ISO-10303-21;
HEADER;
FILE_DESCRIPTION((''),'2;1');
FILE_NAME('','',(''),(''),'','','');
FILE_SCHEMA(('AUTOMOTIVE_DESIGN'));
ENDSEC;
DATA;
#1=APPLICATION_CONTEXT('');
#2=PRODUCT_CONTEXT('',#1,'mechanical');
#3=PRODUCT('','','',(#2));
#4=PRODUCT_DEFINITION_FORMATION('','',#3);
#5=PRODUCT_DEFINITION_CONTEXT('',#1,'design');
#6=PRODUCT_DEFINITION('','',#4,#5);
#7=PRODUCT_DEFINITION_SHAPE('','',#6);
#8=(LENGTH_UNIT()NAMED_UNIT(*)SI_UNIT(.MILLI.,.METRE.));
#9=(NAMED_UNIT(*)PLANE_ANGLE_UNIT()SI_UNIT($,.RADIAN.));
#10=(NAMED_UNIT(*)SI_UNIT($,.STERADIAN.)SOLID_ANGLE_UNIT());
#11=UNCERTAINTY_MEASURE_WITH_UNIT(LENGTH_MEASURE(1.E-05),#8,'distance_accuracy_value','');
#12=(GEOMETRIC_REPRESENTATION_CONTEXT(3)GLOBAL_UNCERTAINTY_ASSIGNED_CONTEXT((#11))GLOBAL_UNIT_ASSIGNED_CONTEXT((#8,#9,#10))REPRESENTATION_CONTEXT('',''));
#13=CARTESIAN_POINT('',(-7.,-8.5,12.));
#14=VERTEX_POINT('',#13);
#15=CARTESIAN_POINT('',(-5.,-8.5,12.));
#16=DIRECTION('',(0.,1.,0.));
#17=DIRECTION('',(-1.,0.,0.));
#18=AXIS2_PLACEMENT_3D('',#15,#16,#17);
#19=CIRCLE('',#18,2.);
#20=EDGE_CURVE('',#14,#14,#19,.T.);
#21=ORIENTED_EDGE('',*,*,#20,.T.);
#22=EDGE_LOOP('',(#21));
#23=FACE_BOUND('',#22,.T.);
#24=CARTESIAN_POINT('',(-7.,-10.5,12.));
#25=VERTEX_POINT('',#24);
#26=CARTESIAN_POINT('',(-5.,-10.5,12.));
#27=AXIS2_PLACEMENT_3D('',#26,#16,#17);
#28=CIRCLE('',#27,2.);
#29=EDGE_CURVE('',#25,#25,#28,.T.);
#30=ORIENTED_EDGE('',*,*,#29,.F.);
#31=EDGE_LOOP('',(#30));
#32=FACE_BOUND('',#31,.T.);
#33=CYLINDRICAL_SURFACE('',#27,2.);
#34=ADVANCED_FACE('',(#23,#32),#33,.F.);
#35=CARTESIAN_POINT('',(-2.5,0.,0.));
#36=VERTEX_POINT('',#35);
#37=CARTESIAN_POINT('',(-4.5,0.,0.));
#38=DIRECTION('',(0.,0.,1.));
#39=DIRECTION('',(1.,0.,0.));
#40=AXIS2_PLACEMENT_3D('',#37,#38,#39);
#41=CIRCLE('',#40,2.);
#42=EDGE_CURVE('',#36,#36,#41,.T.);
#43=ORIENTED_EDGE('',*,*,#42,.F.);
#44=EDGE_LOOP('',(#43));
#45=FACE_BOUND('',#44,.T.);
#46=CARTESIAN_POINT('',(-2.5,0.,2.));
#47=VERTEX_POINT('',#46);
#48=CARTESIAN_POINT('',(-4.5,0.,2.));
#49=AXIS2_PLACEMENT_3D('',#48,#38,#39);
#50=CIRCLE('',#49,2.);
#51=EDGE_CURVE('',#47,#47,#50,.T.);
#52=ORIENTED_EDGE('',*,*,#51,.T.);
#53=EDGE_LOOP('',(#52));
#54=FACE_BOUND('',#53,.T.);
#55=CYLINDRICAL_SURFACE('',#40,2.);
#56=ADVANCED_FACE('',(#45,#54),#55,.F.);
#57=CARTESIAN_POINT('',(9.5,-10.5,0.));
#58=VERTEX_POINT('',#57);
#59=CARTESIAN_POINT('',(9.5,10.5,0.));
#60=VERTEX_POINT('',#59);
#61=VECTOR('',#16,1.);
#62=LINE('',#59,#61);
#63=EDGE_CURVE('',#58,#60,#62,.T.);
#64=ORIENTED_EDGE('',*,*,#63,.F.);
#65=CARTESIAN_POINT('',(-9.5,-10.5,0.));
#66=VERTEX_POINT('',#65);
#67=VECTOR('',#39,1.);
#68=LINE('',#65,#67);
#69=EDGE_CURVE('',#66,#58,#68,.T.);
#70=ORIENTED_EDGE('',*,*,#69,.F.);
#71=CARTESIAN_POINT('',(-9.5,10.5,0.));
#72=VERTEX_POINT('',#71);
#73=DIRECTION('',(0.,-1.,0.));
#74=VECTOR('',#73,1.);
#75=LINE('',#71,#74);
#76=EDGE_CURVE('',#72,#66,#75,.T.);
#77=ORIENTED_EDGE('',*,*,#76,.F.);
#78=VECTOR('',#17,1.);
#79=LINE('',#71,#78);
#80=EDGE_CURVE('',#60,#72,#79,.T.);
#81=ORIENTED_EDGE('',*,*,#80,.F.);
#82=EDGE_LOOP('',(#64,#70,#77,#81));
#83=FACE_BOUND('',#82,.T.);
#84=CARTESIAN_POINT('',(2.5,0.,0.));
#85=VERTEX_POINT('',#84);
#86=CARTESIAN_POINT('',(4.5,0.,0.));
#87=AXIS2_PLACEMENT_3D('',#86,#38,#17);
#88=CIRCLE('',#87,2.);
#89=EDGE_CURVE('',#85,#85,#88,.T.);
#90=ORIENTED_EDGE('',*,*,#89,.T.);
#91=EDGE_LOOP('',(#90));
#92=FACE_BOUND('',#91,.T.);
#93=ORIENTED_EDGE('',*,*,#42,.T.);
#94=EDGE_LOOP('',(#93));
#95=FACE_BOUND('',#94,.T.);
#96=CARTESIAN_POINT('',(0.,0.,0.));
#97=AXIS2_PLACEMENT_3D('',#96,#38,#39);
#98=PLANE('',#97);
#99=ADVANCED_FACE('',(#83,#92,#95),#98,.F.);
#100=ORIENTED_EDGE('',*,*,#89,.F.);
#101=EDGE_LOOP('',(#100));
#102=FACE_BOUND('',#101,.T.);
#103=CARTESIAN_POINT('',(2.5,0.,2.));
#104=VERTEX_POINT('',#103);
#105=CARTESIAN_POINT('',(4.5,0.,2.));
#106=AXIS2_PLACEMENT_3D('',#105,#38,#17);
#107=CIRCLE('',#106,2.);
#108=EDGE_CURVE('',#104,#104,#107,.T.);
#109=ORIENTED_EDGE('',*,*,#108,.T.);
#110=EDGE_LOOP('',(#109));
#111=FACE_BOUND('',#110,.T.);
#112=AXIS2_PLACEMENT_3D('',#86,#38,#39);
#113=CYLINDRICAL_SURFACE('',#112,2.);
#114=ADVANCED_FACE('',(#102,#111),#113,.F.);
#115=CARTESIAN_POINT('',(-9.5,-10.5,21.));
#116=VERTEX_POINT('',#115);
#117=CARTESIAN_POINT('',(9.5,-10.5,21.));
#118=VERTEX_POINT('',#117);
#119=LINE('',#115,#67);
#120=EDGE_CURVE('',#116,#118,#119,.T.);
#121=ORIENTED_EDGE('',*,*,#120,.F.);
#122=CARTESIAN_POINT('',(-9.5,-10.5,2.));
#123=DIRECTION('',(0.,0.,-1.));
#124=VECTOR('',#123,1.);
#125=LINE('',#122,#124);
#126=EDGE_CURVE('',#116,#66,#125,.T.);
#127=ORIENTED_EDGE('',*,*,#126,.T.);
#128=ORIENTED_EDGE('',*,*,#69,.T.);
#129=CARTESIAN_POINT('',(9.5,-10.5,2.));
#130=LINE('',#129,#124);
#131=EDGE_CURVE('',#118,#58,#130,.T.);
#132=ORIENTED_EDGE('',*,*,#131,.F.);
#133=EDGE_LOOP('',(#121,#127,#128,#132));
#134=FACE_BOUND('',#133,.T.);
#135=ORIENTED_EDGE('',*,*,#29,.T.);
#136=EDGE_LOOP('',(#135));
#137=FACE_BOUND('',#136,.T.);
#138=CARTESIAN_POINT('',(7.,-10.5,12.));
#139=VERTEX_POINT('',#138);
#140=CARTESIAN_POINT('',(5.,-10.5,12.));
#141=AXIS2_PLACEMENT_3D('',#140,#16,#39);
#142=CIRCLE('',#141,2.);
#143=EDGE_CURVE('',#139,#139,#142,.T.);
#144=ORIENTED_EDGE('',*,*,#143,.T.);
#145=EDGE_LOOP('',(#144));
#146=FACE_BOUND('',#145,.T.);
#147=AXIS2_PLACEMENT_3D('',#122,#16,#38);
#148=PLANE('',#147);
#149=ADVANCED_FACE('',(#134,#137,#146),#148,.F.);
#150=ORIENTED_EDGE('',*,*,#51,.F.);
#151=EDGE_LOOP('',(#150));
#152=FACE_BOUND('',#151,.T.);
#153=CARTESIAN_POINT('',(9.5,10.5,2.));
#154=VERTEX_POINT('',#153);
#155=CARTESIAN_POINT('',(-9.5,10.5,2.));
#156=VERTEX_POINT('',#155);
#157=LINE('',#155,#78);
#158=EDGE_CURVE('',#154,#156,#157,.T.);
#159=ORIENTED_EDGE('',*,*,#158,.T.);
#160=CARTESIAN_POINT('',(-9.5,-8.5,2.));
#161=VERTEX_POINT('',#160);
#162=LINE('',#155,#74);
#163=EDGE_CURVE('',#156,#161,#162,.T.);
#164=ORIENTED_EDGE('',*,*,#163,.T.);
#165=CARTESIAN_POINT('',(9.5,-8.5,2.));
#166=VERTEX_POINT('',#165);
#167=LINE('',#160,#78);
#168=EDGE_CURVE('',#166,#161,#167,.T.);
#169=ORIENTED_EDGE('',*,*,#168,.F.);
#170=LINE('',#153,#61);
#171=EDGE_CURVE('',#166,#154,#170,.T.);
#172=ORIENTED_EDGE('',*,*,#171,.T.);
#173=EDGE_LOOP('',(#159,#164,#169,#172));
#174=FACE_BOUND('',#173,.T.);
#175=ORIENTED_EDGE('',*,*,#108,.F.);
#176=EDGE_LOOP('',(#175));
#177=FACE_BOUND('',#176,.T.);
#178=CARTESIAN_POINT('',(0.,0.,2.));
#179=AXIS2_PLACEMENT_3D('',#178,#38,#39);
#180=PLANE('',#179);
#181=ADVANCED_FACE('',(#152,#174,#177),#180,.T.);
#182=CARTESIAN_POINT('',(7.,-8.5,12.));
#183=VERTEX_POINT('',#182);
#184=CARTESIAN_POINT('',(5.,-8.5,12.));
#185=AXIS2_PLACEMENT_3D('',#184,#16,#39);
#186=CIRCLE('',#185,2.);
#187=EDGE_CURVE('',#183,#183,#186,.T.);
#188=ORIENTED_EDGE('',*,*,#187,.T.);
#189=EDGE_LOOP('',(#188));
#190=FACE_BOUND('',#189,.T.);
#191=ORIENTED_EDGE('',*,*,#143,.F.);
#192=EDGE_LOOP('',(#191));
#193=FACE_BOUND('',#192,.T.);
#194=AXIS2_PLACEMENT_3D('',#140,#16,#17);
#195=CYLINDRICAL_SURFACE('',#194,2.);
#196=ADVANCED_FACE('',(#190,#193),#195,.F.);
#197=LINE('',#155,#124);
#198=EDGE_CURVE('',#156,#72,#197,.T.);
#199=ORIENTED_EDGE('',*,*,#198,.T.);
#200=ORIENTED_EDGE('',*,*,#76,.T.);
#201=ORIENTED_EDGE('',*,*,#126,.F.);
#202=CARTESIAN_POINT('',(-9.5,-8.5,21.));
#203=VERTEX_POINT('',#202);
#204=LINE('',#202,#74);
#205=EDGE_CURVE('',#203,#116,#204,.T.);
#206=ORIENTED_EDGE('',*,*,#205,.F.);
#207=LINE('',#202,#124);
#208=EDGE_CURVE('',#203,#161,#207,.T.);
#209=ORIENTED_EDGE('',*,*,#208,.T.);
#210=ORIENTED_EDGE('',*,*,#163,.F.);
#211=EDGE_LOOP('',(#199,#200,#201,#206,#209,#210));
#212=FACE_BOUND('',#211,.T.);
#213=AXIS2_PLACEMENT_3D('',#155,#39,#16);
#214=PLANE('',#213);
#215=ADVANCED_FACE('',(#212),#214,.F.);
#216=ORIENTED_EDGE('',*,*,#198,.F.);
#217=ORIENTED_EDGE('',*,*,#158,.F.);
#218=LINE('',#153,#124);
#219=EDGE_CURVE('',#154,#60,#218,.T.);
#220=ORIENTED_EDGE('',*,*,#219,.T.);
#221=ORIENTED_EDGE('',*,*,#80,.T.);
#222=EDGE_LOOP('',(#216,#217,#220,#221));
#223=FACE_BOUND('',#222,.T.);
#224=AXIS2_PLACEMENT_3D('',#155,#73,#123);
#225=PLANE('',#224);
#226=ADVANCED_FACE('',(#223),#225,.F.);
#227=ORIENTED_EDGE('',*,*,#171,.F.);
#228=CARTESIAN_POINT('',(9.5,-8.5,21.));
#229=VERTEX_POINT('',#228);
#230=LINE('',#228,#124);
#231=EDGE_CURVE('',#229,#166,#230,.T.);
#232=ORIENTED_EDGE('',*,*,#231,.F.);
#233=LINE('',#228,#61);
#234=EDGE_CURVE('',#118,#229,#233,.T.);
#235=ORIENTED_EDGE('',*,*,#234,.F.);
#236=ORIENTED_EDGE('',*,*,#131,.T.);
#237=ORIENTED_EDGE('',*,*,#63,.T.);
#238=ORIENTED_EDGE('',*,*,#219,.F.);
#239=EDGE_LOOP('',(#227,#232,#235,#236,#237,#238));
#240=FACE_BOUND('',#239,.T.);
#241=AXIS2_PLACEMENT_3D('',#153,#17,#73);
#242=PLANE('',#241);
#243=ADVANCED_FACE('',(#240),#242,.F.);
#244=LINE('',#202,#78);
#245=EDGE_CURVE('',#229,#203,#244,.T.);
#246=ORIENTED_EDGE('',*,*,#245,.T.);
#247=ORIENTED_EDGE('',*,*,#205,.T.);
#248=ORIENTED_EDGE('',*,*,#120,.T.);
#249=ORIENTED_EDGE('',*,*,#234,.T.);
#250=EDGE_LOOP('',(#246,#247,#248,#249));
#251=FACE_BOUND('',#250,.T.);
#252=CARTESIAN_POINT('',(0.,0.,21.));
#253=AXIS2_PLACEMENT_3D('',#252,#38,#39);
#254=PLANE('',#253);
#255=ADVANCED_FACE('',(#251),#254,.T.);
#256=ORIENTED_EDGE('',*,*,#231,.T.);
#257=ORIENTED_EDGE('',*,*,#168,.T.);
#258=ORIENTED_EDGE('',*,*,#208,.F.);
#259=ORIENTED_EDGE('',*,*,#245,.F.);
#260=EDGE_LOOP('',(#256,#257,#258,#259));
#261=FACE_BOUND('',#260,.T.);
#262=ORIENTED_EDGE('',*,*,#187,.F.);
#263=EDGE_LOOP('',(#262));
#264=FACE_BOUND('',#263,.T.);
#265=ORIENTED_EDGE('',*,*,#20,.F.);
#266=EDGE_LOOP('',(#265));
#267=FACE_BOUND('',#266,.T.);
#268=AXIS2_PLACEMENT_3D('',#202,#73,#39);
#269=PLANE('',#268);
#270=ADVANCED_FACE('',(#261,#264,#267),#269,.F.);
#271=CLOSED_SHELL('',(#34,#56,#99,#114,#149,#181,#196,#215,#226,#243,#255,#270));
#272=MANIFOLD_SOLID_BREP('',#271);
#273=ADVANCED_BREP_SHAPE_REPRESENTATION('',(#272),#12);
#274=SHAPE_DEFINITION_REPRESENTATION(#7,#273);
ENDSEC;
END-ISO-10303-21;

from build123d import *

# Parameters (mm, degrees)
SKETCH1_W           = 19
SKETCH1_H           = 21
BOSS_EXTRUDE1_DEPTH = 2
SKETCH3_W           = 19
SKETCH3_H           = 2
BOSS_EXTRUDE3_DEPTH = 19
SKETCH6_R           = 2
CUT_EXTRUDE1_DEPTH  = 2
SKETCH7_R           = 2
CUT_EXTRUDE2_DEPTH  = 2


with BuildPart() as part:
    # Sketch1 → Boss-Extrude1 (new body)
    with BuildSketch(Plane.XY):
        Rectangle(SKETCH1_W, SKETCH1_H)
    extrude(amount=BOSS_EXTRUDE1_DEPTH)

    # Sketch3 → Boss-Extrude3 (add)
    with BuildSketch(Plane.XY.offset(2)):
        with Locations((0, -9.5)):
            Rectangle(SKETCH3_W, SKETCH3_H)
    extrude(amount=BOSS_EXTRUDE3_DEPTH)

    # Sketch6 → Cut-Extrude1 (cut)
    with BuildSketch(Plane.XY.offset(2)):
        with Locations((-4.5, 0)):
            Circle(SKETCH6_R)
        with Locations(Location((4.5, 0, 0), (0, 0, 180))):
            Circle(SKETCH6_R)
    extrude(amount=-CUT_EXTRUDE1_DEPTH, mode=Mode.SUBTRACT)

    # Sketch7 → Cut-Extrude2 (cut)
    with BuildSketch(Plane(origin=(0, -8.5, 0), x_dir=(1, 0, 0), z_dir=(0, 1, 0))):
        with Locations(Location((-5, -12, 0), (0, 0, 180))):
            Circle(SKETCH7_R)
        with Locations((5, -12)):
            Circle(SKETCH7_R)
    extrude(amount=-CUT_EXTRUDE2_DEPTH, mode=Mode.SUBTRACT)


solid = part.part
